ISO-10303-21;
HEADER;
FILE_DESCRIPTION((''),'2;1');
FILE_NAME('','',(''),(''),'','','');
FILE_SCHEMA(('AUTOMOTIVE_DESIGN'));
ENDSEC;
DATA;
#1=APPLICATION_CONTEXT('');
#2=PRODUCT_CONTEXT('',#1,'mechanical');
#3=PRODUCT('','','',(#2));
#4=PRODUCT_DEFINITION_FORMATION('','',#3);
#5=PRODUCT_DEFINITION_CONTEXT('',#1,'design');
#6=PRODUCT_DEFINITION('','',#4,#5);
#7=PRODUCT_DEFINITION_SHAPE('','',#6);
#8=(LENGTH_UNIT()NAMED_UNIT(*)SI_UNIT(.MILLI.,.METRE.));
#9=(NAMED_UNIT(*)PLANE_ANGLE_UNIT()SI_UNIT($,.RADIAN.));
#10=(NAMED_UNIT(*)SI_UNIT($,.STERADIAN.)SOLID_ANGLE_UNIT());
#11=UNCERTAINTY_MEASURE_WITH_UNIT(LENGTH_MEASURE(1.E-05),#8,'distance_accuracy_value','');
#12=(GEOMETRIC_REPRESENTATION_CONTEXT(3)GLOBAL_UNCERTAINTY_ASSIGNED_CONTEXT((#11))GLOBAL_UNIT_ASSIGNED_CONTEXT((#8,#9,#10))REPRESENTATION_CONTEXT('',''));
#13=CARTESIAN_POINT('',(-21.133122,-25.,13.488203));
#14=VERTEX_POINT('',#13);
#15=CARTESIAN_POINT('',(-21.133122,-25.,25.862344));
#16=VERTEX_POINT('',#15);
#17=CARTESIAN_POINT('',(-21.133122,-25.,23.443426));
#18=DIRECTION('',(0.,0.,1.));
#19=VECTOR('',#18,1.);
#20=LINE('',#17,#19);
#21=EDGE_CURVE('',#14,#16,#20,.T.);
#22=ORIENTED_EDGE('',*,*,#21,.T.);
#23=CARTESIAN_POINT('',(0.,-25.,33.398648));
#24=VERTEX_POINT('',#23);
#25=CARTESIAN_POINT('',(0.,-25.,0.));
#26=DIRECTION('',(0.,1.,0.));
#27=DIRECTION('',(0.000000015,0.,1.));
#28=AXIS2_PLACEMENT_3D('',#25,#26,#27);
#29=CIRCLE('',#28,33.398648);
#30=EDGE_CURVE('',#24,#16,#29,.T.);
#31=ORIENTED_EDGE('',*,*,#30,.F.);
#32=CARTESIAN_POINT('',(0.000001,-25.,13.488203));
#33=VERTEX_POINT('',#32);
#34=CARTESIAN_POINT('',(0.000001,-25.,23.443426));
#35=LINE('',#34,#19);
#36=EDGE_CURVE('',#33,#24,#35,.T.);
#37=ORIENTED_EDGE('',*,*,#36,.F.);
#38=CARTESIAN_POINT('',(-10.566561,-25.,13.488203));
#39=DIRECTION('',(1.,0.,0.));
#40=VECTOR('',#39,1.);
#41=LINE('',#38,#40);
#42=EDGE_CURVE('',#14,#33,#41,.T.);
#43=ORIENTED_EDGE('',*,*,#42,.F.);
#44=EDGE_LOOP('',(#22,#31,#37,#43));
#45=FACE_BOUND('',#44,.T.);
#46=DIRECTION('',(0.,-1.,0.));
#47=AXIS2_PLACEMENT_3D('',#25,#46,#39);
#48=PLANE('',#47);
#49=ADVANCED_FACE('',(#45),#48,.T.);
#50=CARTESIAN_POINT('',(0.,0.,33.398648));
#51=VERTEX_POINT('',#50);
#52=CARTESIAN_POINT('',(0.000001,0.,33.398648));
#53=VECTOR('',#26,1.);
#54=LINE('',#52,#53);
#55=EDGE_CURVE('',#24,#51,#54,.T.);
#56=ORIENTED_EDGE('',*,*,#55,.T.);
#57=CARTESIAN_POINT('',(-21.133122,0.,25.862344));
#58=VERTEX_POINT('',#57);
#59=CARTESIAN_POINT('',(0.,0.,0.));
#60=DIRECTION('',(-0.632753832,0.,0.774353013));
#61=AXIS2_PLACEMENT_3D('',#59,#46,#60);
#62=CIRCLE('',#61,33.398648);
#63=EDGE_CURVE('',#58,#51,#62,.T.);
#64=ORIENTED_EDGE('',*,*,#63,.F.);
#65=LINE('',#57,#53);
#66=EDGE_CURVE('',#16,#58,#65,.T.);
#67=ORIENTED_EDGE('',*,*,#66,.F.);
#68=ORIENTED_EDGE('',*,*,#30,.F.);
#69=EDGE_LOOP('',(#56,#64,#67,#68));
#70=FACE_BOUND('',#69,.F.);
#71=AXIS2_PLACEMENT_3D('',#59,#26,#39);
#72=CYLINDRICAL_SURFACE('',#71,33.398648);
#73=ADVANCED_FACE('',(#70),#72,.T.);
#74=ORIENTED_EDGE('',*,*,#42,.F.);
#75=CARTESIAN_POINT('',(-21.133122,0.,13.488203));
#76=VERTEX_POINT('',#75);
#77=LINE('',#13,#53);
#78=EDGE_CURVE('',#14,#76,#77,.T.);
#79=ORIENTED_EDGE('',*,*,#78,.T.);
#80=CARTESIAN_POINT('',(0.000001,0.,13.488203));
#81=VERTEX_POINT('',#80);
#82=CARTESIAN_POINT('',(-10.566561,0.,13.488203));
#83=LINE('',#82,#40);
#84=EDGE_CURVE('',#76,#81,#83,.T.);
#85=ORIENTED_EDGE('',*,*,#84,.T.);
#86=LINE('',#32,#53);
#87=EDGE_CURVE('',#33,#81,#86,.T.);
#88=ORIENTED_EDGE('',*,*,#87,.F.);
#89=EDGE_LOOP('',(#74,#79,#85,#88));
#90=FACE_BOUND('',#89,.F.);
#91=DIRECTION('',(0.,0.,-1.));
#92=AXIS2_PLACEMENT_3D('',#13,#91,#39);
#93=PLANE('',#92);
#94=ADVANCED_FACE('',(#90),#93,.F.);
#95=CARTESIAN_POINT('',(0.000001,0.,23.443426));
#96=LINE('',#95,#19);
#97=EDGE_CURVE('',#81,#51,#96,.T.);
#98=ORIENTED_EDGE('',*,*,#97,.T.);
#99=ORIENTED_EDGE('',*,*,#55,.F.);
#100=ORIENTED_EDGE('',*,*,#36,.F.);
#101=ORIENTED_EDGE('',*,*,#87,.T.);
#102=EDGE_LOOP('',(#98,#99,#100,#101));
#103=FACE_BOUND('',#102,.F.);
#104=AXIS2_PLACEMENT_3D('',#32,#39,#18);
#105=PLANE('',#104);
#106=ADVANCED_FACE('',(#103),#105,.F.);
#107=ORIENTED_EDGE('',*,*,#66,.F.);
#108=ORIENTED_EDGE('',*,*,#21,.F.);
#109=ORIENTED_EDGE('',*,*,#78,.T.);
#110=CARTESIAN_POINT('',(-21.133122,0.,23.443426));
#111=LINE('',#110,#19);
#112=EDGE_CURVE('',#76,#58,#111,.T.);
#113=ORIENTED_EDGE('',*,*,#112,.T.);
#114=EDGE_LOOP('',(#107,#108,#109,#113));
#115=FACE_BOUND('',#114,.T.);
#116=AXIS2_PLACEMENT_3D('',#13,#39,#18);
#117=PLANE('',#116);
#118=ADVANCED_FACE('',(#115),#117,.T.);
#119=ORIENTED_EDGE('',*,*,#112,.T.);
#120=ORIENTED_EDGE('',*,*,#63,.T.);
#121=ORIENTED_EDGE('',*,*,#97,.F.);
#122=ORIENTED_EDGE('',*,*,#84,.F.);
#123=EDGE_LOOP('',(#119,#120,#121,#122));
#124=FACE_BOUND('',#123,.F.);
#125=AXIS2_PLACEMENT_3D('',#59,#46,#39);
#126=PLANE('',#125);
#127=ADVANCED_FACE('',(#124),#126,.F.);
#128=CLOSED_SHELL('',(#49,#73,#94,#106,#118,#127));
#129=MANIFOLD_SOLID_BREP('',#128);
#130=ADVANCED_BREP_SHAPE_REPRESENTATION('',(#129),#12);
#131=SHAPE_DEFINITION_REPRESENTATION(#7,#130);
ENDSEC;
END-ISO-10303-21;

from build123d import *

# Parameters (mm, degrees)
F0_R     = 33.398648
F1_DEPTH = 25
F2_W     = 21.133123
F2_H     = 19.910445
F2_H_2   = 17.300117
F3_DEPTH = 25


with BuildPart() as f1:
    # F0 (on Front) → F1 (new body)
    with BuildSketch(Plane.XZ):
        Circle(F0_R)
    extrude(amount=F1_DEPTH)

    # F2 (on face) → F3 (cut)
    with BuildSketch(Plane.XZ.offset(25)):
        with Locations((-10.566561, 23.443426)):
            Rectangle(F2_W, F2_H)
        Polygon((-21.133123, 33.398648), (0, 33.398648), (0, 50.698765), (-8.666247, 50.698765), (-21.133123, 50.698765), align=None)
        with Locations((-31.699684, 42.048706)):
            Rectangle(F2_W, F2_H_2)
    extrude(amount=-F3_DEPTH, mode=Mode.SUBTRACT)


solid = f1.part
